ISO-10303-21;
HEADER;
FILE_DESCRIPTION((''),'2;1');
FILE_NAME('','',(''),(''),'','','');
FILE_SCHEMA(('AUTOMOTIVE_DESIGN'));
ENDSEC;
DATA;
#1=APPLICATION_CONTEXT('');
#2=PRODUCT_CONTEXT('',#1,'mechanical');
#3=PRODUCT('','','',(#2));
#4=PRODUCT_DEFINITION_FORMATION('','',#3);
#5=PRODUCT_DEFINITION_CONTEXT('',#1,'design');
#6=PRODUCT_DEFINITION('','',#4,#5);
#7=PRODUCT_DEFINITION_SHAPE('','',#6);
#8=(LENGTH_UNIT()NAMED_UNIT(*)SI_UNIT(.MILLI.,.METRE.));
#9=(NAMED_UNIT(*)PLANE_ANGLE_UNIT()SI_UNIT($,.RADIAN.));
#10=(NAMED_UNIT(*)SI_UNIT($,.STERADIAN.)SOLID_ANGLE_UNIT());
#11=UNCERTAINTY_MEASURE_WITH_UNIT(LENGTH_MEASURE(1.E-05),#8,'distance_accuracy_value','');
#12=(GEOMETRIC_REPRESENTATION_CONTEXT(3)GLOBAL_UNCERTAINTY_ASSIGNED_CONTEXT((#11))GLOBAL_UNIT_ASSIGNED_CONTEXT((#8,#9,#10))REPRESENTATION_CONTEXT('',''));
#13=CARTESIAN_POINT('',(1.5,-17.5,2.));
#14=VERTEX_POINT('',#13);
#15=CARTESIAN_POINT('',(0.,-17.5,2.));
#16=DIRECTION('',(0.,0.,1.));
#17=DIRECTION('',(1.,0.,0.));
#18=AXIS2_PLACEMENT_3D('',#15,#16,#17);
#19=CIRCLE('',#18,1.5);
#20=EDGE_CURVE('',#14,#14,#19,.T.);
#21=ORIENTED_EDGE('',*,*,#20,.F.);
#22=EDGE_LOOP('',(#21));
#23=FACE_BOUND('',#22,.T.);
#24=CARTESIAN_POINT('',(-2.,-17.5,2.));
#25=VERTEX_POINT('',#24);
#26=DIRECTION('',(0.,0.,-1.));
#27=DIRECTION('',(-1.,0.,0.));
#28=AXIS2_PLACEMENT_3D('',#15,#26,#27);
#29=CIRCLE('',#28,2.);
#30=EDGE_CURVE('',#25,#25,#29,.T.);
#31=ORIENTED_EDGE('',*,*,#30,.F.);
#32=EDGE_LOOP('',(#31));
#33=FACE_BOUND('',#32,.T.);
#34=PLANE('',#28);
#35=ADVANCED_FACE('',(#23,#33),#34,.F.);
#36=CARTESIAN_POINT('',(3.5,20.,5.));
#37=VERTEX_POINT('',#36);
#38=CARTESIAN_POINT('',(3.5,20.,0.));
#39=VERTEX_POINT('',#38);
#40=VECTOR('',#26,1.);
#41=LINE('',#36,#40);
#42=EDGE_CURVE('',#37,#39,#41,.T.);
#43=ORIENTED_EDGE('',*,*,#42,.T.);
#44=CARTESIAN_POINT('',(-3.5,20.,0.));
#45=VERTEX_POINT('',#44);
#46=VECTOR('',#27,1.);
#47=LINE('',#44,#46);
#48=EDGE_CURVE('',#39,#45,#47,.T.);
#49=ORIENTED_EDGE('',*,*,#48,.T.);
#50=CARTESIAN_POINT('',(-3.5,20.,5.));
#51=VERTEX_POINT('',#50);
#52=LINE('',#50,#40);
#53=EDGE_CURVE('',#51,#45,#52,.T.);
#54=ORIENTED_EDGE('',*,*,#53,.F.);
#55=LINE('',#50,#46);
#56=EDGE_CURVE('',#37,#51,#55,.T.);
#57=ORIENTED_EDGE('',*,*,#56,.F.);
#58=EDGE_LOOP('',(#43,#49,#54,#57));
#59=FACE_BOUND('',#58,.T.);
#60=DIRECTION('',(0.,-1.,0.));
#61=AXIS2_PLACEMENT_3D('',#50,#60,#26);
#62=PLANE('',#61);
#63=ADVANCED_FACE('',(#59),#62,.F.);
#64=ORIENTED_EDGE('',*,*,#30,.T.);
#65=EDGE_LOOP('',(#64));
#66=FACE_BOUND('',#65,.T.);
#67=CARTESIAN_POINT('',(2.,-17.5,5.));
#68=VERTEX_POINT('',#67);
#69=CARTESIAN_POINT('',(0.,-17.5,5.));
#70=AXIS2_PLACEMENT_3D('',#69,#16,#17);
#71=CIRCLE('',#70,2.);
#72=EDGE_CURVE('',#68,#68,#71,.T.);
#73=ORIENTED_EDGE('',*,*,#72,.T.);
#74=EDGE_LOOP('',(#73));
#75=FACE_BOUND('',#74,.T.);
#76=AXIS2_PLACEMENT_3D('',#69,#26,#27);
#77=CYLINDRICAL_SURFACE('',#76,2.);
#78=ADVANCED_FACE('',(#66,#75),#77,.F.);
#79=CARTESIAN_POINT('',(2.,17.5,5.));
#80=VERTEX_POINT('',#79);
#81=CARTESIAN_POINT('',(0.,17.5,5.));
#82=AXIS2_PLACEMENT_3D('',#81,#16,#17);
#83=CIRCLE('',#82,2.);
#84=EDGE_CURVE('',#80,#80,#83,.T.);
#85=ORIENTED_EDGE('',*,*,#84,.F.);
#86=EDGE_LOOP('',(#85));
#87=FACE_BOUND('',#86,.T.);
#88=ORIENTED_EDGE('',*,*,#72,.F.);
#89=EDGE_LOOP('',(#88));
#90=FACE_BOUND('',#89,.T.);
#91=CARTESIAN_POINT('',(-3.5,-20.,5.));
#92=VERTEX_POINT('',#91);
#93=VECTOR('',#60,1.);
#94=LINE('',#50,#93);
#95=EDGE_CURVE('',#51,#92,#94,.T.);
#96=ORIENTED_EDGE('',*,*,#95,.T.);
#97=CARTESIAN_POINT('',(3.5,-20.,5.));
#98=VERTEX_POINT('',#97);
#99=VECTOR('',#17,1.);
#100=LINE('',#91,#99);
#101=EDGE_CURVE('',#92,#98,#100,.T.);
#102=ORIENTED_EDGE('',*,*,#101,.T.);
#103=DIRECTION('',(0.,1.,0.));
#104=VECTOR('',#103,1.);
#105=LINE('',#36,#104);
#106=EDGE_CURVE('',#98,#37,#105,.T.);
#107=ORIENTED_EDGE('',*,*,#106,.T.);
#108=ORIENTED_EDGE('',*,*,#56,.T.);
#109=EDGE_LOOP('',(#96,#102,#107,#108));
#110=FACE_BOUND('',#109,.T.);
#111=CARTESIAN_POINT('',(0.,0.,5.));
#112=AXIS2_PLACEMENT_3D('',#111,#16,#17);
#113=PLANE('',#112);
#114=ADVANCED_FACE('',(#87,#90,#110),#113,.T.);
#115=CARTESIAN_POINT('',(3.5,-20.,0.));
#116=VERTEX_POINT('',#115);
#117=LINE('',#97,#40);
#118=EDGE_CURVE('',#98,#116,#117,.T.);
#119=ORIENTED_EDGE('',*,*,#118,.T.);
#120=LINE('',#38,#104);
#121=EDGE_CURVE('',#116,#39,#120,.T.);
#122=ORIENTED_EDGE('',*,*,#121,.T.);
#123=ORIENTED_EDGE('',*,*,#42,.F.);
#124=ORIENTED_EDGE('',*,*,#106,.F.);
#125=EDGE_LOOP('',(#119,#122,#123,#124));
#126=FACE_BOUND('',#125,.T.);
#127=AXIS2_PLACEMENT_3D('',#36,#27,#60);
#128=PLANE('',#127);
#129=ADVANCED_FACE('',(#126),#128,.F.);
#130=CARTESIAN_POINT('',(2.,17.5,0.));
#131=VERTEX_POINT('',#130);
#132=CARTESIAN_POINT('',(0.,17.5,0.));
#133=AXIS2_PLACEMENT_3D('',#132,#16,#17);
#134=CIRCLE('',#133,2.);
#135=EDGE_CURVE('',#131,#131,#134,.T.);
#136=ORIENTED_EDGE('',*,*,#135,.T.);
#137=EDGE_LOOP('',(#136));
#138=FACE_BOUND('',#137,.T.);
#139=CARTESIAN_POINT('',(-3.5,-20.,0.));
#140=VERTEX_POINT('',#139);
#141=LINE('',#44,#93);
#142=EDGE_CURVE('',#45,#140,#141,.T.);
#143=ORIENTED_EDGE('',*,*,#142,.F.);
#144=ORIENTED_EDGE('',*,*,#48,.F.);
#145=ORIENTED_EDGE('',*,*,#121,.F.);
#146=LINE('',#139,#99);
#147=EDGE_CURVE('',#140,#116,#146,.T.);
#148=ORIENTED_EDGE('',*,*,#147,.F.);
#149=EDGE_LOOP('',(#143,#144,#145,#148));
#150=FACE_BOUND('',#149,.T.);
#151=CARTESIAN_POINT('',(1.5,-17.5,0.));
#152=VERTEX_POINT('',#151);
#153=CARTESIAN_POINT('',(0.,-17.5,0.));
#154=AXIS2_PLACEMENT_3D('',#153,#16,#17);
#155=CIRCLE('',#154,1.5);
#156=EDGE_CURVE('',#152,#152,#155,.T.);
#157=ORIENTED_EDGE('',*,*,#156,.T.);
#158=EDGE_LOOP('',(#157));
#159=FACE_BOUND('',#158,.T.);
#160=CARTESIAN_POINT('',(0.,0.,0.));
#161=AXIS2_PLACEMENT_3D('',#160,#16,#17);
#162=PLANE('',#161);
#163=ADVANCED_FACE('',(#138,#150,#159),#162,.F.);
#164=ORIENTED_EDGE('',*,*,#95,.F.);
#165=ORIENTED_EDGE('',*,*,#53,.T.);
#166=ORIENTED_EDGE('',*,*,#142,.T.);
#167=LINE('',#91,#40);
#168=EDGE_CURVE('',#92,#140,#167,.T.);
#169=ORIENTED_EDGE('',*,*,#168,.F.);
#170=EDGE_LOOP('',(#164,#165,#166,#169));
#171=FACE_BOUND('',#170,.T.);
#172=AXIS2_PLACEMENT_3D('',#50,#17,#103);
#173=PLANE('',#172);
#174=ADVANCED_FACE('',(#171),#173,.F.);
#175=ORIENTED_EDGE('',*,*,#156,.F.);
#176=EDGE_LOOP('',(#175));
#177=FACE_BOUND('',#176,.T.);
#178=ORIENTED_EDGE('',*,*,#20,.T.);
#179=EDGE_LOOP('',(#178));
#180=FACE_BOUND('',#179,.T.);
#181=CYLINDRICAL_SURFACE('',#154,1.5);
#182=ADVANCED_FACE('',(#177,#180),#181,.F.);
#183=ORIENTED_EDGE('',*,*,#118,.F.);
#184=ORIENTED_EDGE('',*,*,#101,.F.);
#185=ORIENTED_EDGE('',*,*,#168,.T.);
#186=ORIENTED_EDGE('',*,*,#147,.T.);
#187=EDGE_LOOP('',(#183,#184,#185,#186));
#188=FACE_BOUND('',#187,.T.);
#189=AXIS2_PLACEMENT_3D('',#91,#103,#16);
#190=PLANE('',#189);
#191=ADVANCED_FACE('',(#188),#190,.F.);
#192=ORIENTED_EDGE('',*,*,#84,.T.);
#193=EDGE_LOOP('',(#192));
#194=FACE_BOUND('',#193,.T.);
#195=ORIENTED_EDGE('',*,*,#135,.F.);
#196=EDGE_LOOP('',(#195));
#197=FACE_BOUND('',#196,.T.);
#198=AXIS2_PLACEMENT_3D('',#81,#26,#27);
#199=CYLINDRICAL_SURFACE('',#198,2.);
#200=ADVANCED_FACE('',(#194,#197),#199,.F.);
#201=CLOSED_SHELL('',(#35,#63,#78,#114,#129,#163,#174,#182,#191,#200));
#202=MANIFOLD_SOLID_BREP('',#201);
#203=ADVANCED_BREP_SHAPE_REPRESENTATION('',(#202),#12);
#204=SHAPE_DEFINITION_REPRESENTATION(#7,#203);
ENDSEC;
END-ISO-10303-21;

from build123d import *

# Parameters (mm, degrees)
SKETCH1_W           = 7
SKETCH1_H           = 40
SKETCH1_R           = 2
BOSS_EXTRUDE1_DEPTH = 5
SKETCH3_R           = 2.25
BOSS_EXTRUDE2_DEPTH = 2
SKETCH4_R           = 1.5
CUT_EXTRUDE1_DEPTH  = 2


with BuildPart() as part:
    # Sketch1 → Boss-Extrude1 (new body)
    with BuildSketch(Plane.XY):
        Rectangle(SKETCH1_W, SKETCH1_H)
        with Locations((0, 17.5)):
            Circle(SKETCH1_R, mode=Mode.SUBTRACT)
        with Locations((0, -17.5)):
            Circle(SKETCH1_R, mode=Mode.SUBTRACT)
    extrude(amount=BOSS_EXTRUDE1_DEPTH)

    # Sketch3 → Boss-Extrude2 (add)
    with BuildSketch(Plane(origin=(0, 0, 0), x_dir=(-1, 0, 0), z_dir=(0, 0, -1))):
        with Locations((0, -17.5)):
            Circle(SKETCH3_R)
    extrude(amount=-BOSS_EXTRUDE2_DEPTH)

    # Sketch4 → Cut-Extrude1 (cut)
    with BuildSketch(Plane.XY.offset(2)):
        with Locations((0, -17.5)):
            Circle(SKETCH4_R)
    extrude(amount=-CUT_EXTRUDE1_DEPTH, mode=Mode.SUBTRACT)


solid = part.part
